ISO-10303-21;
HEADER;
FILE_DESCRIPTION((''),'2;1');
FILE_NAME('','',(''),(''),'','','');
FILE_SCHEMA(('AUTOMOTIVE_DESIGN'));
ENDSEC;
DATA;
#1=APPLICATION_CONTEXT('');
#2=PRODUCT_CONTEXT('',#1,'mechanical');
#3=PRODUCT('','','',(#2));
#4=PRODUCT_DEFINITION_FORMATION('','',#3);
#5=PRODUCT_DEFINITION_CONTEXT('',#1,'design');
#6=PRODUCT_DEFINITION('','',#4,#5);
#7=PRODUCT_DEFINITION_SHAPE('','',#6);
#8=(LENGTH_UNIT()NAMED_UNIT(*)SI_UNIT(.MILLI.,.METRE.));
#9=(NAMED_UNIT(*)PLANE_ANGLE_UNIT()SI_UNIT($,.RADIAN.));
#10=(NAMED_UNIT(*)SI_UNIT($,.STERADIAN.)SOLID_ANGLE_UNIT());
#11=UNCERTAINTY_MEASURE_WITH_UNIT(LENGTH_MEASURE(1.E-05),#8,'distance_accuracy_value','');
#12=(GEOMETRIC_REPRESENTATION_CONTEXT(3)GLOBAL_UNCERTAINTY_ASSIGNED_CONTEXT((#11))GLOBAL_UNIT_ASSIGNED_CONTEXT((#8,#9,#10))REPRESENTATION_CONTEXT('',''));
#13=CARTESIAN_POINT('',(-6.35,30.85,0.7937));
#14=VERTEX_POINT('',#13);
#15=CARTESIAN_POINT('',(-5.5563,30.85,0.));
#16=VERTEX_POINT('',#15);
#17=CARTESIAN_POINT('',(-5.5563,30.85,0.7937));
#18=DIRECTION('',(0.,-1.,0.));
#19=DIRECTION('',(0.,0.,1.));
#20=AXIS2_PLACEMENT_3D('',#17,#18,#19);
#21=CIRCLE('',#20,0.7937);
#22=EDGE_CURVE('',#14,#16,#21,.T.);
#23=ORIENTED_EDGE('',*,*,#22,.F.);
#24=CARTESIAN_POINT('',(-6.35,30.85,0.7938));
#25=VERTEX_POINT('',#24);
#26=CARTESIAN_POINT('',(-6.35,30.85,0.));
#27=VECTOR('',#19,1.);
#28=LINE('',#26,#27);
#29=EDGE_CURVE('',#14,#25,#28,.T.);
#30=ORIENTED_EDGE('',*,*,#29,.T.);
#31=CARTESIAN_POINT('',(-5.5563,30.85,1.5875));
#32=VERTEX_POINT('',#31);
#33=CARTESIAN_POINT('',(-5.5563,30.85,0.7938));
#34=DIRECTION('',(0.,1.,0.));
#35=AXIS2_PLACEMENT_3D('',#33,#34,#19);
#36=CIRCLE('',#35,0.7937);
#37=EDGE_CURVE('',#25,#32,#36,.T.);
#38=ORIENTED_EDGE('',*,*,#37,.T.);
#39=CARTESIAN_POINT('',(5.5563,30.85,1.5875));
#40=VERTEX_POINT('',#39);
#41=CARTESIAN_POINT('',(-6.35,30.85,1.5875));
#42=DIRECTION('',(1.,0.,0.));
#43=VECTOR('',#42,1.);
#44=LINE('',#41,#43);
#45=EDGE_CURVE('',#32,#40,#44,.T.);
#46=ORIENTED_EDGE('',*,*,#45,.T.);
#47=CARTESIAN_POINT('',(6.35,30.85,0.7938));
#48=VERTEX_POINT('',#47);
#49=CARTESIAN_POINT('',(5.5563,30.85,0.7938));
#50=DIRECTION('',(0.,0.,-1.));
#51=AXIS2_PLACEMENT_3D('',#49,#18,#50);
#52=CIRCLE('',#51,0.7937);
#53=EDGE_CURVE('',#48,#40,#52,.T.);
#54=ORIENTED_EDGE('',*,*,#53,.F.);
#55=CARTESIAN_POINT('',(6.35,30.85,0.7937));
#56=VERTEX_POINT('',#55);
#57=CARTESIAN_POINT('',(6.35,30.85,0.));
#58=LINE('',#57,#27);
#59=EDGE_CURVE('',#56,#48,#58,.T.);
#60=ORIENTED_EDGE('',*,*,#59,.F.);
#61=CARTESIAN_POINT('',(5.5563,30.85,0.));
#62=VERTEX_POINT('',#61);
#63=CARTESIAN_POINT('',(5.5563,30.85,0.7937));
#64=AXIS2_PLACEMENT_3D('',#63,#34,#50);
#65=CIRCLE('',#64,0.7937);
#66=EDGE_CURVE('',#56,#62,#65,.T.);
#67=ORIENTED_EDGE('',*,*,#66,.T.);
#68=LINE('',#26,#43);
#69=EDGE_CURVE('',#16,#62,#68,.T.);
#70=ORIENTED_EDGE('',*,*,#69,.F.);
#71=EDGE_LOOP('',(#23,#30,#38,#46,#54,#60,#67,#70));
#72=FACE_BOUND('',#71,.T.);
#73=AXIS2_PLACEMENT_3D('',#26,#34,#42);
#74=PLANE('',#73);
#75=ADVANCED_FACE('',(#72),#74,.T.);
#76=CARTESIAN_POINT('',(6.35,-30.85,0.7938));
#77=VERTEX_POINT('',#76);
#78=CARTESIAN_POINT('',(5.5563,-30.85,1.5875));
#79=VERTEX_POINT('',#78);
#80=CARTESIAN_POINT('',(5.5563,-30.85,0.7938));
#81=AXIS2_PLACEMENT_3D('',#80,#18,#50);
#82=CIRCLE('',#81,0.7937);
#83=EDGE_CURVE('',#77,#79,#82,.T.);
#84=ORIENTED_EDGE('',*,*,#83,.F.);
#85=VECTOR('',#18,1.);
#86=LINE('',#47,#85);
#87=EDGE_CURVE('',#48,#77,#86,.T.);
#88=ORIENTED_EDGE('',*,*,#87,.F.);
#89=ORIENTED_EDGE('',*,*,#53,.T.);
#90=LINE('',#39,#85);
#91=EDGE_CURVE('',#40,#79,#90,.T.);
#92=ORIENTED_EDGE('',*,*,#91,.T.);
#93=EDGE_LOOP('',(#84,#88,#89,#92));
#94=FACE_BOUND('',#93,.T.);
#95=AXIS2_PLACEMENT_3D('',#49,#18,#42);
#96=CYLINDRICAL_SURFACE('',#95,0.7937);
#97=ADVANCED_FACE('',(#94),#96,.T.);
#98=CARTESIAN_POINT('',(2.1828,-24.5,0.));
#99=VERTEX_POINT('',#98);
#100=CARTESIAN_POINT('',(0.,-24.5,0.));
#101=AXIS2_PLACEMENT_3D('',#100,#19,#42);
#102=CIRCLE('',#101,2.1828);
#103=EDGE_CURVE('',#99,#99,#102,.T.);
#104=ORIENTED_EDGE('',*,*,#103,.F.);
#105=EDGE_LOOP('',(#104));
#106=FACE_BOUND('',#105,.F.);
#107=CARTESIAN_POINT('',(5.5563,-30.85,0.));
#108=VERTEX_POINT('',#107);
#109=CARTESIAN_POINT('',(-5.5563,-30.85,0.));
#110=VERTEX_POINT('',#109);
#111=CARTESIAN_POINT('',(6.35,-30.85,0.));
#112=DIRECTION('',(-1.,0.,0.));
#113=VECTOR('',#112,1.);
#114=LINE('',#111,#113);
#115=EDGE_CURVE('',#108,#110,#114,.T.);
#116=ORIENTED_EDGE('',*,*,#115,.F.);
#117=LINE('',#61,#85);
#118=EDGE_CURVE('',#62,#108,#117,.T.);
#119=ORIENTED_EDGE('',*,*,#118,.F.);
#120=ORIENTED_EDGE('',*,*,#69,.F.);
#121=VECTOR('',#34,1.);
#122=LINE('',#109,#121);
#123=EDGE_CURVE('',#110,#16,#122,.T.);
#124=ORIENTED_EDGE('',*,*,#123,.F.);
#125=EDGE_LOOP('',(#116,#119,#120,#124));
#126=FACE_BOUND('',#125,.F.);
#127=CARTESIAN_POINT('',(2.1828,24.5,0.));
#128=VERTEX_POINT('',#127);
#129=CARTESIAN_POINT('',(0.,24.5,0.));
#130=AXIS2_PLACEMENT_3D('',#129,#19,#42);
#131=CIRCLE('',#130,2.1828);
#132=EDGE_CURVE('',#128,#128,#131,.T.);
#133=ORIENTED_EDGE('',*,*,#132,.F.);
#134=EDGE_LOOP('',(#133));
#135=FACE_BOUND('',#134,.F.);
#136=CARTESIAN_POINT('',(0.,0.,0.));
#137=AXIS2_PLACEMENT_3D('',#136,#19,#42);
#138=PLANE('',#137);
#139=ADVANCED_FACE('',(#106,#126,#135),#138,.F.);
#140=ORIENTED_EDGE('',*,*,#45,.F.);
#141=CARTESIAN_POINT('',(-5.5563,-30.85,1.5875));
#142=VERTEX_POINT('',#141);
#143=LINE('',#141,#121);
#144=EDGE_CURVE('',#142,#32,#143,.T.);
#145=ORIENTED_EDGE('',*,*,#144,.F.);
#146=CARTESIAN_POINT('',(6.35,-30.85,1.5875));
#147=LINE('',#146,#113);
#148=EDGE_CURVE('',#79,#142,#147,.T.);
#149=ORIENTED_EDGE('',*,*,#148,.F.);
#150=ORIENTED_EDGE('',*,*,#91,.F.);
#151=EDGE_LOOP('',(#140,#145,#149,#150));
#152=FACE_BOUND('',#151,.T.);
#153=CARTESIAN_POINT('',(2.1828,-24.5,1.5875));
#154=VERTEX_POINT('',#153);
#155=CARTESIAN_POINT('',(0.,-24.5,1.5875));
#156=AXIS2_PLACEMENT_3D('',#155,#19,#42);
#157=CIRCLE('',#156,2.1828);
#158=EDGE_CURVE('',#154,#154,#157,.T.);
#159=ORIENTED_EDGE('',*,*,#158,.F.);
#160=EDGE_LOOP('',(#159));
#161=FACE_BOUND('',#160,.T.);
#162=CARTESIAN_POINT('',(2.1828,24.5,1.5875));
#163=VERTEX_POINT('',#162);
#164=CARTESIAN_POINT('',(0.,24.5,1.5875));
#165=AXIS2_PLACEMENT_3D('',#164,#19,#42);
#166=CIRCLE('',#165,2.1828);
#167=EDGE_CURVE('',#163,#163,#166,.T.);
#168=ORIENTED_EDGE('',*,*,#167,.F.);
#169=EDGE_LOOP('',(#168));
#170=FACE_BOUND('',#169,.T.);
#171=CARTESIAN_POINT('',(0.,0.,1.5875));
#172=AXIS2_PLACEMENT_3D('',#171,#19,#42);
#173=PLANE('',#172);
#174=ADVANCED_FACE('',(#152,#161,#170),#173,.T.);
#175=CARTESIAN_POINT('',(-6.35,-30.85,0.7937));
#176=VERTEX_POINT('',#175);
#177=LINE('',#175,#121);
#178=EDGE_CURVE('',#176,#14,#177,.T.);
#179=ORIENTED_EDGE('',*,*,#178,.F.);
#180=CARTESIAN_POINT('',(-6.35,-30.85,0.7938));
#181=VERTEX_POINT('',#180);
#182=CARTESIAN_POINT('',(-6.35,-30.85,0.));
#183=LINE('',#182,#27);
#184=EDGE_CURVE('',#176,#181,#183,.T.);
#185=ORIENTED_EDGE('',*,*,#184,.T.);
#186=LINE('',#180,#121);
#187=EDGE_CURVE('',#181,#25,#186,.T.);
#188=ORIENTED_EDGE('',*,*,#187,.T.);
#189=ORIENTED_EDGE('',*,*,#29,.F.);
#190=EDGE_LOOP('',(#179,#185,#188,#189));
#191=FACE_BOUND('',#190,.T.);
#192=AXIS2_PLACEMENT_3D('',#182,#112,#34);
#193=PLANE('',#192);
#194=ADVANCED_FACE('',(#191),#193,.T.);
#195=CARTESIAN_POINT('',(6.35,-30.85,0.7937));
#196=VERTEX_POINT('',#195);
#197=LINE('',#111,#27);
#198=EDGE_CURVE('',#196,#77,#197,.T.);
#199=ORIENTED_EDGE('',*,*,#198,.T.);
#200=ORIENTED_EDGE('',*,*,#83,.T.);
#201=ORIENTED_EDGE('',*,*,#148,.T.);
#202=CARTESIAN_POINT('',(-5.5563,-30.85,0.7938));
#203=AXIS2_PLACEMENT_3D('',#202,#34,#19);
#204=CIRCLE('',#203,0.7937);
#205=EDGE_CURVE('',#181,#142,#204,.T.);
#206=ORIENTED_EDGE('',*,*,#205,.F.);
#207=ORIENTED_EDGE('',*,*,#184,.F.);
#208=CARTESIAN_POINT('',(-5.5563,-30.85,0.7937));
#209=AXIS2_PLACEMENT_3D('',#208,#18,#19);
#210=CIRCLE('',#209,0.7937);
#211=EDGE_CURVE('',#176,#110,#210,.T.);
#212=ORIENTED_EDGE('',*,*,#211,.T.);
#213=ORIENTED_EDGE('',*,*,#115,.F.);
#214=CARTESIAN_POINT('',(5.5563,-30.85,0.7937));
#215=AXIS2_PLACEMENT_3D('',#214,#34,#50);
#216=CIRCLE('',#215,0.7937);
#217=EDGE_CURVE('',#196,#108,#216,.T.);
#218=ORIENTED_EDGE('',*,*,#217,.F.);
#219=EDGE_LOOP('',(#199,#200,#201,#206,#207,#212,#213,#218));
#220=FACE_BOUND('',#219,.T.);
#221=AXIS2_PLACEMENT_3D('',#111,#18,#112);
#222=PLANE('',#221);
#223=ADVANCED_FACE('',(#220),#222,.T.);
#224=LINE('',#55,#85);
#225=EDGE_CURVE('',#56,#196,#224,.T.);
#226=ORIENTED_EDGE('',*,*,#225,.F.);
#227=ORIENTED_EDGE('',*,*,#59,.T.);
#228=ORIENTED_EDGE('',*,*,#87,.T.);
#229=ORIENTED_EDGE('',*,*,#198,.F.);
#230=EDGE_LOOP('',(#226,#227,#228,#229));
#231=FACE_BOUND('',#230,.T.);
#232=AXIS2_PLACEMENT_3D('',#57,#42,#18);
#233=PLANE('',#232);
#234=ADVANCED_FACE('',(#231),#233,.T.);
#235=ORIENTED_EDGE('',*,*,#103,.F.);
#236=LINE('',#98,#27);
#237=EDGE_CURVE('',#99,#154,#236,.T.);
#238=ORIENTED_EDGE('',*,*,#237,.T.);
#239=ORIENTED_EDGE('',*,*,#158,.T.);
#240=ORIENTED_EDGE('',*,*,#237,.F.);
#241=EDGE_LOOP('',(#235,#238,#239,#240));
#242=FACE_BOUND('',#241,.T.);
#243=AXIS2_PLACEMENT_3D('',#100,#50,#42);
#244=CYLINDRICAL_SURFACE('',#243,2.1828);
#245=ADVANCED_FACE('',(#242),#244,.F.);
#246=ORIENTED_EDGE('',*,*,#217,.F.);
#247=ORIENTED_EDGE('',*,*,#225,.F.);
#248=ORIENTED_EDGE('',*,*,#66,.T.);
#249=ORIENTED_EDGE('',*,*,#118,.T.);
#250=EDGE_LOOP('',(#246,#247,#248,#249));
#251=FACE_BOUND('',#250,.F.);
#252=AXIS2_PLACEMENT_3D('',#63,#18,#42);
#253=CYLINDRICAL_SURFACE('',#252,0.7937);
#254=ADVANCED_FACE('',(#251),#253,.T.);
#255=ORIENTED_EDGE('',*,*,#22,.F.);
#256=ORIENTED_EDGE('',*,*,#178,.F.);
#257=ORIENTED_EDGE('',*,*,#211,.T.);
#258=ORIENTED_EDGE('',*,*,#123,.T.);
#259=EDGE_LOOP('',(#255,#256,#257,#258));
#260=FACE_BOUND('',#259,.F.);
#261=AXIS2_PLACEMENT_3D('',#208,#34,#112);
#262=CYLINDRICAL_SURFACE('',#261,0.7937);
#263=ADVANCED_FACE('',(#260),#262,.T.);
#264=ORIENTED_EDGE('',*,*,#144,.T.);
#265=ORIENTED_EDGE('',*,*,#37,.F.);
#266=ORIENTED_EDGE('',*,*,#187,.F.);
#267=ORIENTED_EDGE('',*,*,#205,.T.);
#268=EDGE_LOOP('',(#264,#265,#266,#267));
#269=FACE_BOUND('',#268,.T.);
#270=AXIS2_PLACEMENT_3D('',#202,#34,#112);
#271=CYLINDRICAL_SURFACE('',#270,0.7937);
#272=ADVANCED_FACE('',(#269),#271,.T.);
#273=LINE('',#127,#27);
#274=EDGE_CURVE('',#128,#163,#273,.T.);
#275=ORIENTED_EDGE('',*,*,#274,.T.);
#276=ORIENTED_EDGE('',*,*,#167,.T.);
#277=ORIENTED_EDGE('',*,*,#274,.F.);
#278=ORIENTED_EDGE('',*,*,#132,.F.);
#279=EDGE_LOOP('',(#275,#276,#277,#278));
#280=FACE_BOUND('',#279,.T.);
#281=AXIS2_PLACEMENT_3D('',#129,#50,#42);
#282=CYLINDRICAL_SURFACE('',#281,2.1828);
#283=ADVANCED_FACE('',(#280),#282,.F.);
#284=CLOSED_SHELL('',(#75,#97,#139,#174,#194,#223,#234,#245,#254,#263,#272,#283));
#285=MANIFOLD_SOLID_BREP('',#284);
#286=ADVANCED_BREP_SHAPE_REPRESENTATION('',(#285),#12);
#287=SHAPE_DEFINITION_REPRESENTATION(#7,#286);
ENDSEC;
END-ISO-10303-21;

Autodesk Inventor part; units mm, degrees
ref_plane "YZ Plane" through (0, 0, 0) normal (1, 0, 0) x (0, 1, 0)
ref_plane "XZ Plane" through (0, 0, 0) normal (0, 1, 0) x (-1, 0, 0)
ref_plane "XY Plane" through (0, 0, 0) normal (0, 0, 1) x (1, 0, 0)
sketch "Sketch1" plane through (0, 0, 0) normal (0, 0, 1) x (1, 0, 0)
  circle A0 centre (0, 24.5) radius 2.1828
  circle A1 centre (0, -24.5) radius 2.1828
  line L0 (6.35, -30.85) -> (-6.35, -30.85)
  line L1 (-6.35, -30.85) -> (-6.35, 30.85)
  line L2 (-6.35, 30.85) -> (6.35, 30.85)
  line L3 (6.35, 30.85) -> (6.35, -30.85)
  line L4 (6.35, -30.85) -> (-6.35, 30.85) construction
  line L5 (-6.35, -30.85) -> (6.35, 30.85) construction
  point P0 (0, 0)
  dimension "d0" = 4.3656
  dimension "d1" = 4.3656
  dimension "d2" = 49
  dimension "d3" = 24.5
  dimension "d4" = 24.5
  dimension "d5" = 12.7
  dimension "d6" = 6.35
  dimension "d7" = 6.35
extrude "Extrusion1" add sketch "Sketch1" along normal blind 1.5875
fillet "Fillet1" radius 0.7937 4 edges at (6.35, 0, 1.5875) (6.35, 0, 0) (-6.35, 0, 0) (-6.35, 0, 1.5875)
properties part number "Part I"
